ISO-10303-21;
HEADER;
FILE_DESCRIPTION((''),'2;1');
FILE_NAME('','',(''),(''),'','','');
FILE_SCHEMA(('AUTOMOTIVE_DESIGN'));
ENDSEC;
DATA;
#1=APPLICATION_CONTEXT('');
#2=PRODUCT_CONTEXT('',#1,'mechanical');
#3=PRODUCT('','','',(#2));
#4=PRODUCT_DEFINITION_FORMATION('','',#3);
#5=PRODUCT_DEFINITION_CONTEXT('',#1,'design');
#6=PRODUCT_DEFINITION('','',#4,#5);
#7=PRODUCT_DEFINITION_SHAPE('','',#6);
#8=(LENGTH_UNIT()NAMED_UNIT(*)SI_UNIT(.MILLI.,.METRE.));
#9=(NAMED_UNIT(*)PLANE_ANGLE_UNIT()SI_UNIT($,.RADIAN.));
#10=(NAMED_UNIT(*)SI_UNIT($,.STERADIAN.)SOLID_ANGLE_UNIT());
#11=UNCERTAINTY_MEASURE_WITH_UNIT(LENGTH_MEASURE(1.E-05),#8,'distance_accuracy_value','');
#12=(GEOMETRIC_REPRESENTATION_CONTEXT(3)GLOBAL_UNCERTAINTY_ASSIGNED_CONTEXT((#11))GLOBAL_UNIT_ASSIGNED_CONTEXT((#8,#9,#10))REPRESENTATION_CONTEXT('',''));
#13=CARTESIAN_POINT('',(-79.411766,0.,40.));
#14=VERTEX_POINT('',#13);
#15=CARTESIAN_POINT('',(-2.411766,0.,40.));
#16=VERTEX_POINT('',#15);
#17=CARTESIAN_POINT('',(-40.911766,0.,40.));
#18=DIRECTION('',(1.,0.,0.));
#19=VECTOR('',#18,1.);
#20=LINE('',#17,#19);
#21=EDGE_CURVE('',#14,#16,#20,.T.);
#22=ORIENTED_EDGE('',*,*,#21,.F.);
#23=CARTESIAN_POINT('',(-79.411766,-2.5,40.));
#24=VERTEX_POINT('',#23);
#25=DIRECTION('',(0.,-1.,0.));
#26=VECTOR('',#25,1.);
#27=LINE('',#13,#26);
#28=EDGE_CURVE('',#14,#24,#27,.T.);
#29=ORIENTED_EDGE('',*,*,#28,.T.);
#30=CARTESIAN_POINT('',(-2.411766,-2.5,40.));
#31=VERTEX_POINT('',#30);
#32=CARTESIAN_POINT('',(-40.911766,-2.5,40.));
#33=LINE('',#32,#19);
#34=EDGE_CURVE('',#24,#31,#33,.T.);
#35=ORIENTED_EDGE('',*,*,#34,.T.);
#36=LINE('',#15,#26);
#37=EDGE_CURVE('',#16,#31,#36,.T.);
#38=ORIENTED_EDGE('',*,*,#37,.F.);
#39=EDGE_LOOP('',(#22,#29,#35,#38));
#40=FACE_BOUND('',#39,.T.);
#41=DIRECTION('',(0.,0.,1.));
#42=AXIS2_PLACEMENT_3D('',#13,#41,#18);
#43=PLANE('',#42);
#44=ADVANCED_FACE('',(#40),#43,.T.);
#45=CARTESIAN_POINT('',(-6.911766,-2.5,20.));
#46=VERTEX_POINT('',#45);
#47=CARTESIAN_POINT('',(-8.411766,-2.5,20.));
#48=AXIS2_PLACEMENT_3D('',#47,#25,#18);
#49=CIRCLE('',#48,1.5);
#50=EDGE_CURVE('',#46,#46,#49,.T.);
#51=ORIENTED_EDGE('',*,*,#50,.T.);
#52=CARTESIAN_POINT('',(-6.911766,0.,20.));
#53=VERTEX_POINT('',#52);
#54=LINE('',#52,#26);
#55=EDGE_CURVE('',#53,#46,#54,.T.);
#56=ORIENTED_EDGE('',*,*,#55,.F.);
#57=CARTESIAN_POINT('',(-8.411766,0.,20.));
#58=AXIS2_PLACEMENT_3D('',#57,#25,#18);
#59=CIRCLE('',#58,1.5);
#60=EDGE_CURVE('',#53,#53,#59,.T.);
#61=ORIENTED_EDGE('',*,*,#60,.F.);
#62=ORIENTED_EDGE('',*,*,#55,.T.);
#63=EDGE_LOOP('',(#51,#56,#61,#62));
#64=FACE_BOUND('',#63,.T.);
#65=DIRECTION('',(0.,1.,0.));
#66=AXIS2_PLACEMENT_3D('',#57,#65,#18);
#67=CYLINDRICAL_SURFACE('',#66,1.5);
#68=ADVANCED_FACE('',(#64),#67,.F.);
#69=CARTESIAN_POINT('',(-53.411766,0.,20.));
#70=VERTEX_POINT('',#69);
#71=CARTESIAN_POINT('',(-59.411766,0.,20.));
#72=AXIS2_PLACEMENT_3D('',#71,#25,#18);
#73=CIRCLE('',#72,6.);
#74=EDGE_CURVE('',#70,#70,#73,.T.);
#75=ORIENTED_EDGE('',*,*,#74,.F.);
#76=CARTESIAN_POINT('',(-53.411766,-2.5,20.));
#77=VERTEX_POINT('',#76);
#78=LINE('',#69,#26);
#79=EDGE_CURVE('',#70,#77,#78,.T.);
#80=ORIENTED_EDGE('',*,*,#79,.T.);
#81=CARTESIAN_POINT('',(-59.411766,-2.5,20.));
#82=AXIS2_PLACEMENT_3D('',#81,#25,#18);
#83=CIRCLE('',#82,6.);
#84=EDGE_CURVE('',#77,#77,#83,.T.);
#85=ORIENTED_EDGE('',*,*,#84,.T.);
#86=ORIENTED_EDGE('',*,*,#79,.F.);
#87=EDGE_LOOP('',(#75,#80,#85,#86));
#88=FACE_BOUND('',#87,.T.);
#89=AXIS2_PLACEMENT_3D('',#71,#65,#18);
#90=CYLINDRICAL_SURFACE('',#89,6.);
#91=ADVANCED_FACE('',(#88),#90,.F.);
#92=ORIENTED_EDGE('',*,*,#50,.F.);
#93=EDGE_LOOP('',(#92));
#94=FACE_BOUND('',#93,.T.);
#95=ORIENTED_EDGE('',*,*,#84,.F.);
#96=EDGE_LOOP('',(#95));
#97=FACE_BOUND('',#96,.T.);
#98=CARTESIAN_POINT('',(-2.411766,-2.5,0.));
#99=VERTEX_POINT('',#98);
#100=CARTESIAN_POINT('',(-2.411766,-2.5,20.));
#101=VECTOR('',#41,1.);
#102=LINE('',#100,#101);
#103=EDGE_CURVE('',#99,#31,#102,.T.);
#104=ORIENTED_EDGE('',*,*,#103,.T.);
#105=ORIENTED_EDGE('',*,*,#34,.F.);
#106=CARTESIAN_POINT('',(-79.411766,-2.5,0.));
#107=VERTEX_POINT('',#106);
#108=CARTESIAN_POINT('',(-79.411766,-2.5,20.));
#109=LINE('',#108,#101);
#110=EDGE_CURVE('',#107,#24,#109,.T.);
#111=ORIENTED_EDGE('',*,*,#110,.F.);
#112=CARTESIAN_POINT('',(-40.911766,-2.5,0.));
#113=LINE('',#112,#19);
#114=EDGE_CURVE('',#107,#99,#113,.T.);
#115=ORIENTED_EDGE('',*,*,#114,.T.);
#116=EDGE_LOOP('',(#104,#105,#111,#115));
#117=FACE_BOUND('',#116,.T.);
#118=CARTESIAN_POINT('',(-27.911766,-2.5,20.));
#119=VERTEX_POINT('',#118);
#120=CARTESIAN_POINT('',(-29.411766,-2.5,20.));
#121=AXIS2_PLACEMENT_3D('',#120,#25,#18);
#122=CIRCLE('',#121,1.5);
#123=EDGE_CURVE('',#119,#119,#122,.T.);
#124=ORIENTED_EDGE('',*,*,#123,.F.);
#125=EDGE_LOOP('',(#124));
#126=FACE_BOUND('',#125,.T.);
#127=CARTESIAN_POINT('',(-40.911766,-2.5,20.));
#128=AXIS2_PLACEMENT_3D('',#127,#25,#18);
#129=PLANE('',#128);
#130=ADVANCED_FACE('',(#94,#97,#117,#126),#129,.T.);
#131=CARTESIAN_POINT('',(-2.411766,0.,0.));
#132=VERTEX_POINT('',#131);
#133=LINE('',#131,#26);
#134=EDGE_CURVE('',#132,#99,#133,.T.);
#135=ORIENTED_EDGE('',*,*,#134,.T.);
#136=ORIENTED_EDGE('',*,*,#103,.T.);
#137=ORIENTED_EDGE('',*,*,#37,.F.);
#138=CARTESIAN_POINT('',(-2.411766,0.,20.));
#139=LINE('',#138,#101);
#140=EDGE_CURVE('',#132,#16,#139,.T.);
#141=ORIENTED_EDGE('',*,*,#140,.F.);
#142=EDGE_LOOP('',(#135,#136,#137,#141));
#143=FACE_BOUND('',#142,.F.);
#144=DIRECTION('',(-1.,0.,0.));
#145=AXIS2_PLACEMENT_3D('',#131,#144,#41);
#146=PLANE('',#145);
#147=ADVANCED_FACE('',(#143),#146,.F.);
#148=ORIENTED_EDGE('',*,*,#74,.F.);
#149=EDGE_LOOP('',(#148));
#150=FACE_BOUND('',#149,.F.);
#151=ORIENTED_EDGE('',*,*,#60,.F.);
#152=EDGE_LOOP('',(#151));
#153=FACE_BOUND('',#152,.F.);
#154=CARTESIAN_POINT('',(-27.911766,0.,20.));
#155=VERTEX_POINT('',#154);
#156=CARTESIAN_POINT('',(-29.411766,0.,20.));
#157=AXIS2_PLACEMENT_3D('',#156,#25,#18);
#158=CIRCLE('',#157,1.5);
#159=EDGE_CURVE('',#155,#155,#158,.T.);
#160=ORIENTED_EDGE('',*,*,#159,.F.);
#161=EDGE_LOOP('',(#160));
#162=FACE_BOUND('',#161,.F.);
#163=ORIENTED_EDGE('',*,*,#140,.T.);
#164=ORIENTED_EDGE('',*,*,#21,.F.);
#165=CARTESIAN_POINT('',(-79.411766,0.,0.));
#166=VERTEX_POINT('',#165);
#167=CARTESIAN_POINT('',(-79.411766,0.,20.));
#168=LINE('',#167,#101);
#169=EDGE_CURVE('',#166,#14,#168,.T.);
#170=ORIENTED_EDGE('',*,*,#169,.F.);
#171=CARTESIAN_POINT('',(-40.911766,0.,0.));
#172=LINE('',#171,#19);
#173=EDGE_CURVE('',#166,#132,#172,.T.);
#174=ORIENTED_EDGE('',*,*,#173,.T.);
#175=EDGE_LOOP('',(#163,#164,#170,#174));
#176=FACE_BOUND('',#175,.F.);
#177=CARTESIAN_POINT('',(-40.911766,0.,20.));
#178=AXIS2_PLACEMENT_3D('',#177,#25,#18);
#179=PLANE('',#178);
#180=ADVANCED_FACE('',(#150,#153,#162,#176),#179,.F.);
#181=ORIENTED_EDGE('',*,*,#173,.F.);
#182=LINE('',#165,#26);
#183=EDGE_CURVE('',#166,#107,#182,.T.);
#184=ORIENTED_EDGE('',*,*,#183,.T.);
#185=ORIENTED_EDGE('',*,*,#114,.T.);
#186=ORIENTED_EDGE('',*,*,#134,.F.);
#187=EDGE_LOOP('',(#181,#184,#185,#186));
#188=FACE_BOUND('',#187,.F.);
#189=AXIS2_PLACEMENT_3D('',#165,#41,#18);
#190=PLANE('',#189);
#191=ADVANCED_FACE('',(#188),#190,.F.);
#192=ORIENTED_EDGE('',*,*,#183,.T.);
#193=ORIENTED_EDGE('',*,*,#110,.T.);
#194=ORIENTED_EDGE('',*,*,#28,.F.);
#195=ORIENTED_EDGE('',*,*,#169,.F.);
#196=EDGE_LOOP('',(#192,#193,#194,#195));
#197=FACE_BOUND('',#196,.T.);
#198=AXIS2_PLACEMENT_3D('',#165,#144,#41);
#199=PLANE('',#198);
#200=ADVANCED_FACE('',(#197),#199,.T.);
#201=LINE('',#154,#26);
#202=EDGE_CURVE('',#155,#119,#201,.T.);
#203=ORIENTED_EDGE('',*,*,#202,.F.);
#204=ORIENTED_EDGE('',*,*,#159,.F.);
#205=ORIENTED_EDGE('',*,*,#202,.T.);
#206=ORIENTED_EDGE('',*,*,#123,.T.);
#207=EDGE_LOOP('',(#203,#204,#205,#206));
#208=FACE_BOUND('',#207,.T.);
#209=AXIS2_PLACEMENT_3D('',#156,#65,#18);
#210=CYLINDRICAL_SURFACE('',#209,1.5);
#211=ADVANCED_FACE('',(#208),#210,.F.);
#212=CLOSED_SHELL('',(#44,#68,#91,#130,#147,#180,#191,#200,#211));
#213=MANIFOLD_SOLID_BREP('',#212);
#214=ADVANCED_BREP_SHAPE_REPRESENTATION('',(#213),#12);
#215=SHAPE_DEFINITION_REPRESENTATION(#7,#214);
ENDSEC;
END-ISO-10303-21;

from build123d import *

# Parameters (mm, degrees)
F0_W     = 77
F0_H     = 40
F0_R     = 6
F0_R_2   = 1.5
F1_DEPTH = 2.5


with BuildPart() as f1:
    # F0 (on Front) → F1 (new body)
    with BuildSketch(Plane.XZ):
        with Locations((-40.911766, 20)):
            Rectangle(F0_W, F0_H)
        with Locations((-59.411766, 20)):
            Circle(F0_R, mode=Mode.SUBTRACT)
        with Locations((-29.411766, 20)):
            Circle(F0_R_2, mode=Mode.SUBTRACT)
        with Locations((-8.411766, 20)):
            Circle(F0_R_2, mode=Mode.SUBTRACT)
    extrude(amount=F1_DEPTH)


solid = f1.part
